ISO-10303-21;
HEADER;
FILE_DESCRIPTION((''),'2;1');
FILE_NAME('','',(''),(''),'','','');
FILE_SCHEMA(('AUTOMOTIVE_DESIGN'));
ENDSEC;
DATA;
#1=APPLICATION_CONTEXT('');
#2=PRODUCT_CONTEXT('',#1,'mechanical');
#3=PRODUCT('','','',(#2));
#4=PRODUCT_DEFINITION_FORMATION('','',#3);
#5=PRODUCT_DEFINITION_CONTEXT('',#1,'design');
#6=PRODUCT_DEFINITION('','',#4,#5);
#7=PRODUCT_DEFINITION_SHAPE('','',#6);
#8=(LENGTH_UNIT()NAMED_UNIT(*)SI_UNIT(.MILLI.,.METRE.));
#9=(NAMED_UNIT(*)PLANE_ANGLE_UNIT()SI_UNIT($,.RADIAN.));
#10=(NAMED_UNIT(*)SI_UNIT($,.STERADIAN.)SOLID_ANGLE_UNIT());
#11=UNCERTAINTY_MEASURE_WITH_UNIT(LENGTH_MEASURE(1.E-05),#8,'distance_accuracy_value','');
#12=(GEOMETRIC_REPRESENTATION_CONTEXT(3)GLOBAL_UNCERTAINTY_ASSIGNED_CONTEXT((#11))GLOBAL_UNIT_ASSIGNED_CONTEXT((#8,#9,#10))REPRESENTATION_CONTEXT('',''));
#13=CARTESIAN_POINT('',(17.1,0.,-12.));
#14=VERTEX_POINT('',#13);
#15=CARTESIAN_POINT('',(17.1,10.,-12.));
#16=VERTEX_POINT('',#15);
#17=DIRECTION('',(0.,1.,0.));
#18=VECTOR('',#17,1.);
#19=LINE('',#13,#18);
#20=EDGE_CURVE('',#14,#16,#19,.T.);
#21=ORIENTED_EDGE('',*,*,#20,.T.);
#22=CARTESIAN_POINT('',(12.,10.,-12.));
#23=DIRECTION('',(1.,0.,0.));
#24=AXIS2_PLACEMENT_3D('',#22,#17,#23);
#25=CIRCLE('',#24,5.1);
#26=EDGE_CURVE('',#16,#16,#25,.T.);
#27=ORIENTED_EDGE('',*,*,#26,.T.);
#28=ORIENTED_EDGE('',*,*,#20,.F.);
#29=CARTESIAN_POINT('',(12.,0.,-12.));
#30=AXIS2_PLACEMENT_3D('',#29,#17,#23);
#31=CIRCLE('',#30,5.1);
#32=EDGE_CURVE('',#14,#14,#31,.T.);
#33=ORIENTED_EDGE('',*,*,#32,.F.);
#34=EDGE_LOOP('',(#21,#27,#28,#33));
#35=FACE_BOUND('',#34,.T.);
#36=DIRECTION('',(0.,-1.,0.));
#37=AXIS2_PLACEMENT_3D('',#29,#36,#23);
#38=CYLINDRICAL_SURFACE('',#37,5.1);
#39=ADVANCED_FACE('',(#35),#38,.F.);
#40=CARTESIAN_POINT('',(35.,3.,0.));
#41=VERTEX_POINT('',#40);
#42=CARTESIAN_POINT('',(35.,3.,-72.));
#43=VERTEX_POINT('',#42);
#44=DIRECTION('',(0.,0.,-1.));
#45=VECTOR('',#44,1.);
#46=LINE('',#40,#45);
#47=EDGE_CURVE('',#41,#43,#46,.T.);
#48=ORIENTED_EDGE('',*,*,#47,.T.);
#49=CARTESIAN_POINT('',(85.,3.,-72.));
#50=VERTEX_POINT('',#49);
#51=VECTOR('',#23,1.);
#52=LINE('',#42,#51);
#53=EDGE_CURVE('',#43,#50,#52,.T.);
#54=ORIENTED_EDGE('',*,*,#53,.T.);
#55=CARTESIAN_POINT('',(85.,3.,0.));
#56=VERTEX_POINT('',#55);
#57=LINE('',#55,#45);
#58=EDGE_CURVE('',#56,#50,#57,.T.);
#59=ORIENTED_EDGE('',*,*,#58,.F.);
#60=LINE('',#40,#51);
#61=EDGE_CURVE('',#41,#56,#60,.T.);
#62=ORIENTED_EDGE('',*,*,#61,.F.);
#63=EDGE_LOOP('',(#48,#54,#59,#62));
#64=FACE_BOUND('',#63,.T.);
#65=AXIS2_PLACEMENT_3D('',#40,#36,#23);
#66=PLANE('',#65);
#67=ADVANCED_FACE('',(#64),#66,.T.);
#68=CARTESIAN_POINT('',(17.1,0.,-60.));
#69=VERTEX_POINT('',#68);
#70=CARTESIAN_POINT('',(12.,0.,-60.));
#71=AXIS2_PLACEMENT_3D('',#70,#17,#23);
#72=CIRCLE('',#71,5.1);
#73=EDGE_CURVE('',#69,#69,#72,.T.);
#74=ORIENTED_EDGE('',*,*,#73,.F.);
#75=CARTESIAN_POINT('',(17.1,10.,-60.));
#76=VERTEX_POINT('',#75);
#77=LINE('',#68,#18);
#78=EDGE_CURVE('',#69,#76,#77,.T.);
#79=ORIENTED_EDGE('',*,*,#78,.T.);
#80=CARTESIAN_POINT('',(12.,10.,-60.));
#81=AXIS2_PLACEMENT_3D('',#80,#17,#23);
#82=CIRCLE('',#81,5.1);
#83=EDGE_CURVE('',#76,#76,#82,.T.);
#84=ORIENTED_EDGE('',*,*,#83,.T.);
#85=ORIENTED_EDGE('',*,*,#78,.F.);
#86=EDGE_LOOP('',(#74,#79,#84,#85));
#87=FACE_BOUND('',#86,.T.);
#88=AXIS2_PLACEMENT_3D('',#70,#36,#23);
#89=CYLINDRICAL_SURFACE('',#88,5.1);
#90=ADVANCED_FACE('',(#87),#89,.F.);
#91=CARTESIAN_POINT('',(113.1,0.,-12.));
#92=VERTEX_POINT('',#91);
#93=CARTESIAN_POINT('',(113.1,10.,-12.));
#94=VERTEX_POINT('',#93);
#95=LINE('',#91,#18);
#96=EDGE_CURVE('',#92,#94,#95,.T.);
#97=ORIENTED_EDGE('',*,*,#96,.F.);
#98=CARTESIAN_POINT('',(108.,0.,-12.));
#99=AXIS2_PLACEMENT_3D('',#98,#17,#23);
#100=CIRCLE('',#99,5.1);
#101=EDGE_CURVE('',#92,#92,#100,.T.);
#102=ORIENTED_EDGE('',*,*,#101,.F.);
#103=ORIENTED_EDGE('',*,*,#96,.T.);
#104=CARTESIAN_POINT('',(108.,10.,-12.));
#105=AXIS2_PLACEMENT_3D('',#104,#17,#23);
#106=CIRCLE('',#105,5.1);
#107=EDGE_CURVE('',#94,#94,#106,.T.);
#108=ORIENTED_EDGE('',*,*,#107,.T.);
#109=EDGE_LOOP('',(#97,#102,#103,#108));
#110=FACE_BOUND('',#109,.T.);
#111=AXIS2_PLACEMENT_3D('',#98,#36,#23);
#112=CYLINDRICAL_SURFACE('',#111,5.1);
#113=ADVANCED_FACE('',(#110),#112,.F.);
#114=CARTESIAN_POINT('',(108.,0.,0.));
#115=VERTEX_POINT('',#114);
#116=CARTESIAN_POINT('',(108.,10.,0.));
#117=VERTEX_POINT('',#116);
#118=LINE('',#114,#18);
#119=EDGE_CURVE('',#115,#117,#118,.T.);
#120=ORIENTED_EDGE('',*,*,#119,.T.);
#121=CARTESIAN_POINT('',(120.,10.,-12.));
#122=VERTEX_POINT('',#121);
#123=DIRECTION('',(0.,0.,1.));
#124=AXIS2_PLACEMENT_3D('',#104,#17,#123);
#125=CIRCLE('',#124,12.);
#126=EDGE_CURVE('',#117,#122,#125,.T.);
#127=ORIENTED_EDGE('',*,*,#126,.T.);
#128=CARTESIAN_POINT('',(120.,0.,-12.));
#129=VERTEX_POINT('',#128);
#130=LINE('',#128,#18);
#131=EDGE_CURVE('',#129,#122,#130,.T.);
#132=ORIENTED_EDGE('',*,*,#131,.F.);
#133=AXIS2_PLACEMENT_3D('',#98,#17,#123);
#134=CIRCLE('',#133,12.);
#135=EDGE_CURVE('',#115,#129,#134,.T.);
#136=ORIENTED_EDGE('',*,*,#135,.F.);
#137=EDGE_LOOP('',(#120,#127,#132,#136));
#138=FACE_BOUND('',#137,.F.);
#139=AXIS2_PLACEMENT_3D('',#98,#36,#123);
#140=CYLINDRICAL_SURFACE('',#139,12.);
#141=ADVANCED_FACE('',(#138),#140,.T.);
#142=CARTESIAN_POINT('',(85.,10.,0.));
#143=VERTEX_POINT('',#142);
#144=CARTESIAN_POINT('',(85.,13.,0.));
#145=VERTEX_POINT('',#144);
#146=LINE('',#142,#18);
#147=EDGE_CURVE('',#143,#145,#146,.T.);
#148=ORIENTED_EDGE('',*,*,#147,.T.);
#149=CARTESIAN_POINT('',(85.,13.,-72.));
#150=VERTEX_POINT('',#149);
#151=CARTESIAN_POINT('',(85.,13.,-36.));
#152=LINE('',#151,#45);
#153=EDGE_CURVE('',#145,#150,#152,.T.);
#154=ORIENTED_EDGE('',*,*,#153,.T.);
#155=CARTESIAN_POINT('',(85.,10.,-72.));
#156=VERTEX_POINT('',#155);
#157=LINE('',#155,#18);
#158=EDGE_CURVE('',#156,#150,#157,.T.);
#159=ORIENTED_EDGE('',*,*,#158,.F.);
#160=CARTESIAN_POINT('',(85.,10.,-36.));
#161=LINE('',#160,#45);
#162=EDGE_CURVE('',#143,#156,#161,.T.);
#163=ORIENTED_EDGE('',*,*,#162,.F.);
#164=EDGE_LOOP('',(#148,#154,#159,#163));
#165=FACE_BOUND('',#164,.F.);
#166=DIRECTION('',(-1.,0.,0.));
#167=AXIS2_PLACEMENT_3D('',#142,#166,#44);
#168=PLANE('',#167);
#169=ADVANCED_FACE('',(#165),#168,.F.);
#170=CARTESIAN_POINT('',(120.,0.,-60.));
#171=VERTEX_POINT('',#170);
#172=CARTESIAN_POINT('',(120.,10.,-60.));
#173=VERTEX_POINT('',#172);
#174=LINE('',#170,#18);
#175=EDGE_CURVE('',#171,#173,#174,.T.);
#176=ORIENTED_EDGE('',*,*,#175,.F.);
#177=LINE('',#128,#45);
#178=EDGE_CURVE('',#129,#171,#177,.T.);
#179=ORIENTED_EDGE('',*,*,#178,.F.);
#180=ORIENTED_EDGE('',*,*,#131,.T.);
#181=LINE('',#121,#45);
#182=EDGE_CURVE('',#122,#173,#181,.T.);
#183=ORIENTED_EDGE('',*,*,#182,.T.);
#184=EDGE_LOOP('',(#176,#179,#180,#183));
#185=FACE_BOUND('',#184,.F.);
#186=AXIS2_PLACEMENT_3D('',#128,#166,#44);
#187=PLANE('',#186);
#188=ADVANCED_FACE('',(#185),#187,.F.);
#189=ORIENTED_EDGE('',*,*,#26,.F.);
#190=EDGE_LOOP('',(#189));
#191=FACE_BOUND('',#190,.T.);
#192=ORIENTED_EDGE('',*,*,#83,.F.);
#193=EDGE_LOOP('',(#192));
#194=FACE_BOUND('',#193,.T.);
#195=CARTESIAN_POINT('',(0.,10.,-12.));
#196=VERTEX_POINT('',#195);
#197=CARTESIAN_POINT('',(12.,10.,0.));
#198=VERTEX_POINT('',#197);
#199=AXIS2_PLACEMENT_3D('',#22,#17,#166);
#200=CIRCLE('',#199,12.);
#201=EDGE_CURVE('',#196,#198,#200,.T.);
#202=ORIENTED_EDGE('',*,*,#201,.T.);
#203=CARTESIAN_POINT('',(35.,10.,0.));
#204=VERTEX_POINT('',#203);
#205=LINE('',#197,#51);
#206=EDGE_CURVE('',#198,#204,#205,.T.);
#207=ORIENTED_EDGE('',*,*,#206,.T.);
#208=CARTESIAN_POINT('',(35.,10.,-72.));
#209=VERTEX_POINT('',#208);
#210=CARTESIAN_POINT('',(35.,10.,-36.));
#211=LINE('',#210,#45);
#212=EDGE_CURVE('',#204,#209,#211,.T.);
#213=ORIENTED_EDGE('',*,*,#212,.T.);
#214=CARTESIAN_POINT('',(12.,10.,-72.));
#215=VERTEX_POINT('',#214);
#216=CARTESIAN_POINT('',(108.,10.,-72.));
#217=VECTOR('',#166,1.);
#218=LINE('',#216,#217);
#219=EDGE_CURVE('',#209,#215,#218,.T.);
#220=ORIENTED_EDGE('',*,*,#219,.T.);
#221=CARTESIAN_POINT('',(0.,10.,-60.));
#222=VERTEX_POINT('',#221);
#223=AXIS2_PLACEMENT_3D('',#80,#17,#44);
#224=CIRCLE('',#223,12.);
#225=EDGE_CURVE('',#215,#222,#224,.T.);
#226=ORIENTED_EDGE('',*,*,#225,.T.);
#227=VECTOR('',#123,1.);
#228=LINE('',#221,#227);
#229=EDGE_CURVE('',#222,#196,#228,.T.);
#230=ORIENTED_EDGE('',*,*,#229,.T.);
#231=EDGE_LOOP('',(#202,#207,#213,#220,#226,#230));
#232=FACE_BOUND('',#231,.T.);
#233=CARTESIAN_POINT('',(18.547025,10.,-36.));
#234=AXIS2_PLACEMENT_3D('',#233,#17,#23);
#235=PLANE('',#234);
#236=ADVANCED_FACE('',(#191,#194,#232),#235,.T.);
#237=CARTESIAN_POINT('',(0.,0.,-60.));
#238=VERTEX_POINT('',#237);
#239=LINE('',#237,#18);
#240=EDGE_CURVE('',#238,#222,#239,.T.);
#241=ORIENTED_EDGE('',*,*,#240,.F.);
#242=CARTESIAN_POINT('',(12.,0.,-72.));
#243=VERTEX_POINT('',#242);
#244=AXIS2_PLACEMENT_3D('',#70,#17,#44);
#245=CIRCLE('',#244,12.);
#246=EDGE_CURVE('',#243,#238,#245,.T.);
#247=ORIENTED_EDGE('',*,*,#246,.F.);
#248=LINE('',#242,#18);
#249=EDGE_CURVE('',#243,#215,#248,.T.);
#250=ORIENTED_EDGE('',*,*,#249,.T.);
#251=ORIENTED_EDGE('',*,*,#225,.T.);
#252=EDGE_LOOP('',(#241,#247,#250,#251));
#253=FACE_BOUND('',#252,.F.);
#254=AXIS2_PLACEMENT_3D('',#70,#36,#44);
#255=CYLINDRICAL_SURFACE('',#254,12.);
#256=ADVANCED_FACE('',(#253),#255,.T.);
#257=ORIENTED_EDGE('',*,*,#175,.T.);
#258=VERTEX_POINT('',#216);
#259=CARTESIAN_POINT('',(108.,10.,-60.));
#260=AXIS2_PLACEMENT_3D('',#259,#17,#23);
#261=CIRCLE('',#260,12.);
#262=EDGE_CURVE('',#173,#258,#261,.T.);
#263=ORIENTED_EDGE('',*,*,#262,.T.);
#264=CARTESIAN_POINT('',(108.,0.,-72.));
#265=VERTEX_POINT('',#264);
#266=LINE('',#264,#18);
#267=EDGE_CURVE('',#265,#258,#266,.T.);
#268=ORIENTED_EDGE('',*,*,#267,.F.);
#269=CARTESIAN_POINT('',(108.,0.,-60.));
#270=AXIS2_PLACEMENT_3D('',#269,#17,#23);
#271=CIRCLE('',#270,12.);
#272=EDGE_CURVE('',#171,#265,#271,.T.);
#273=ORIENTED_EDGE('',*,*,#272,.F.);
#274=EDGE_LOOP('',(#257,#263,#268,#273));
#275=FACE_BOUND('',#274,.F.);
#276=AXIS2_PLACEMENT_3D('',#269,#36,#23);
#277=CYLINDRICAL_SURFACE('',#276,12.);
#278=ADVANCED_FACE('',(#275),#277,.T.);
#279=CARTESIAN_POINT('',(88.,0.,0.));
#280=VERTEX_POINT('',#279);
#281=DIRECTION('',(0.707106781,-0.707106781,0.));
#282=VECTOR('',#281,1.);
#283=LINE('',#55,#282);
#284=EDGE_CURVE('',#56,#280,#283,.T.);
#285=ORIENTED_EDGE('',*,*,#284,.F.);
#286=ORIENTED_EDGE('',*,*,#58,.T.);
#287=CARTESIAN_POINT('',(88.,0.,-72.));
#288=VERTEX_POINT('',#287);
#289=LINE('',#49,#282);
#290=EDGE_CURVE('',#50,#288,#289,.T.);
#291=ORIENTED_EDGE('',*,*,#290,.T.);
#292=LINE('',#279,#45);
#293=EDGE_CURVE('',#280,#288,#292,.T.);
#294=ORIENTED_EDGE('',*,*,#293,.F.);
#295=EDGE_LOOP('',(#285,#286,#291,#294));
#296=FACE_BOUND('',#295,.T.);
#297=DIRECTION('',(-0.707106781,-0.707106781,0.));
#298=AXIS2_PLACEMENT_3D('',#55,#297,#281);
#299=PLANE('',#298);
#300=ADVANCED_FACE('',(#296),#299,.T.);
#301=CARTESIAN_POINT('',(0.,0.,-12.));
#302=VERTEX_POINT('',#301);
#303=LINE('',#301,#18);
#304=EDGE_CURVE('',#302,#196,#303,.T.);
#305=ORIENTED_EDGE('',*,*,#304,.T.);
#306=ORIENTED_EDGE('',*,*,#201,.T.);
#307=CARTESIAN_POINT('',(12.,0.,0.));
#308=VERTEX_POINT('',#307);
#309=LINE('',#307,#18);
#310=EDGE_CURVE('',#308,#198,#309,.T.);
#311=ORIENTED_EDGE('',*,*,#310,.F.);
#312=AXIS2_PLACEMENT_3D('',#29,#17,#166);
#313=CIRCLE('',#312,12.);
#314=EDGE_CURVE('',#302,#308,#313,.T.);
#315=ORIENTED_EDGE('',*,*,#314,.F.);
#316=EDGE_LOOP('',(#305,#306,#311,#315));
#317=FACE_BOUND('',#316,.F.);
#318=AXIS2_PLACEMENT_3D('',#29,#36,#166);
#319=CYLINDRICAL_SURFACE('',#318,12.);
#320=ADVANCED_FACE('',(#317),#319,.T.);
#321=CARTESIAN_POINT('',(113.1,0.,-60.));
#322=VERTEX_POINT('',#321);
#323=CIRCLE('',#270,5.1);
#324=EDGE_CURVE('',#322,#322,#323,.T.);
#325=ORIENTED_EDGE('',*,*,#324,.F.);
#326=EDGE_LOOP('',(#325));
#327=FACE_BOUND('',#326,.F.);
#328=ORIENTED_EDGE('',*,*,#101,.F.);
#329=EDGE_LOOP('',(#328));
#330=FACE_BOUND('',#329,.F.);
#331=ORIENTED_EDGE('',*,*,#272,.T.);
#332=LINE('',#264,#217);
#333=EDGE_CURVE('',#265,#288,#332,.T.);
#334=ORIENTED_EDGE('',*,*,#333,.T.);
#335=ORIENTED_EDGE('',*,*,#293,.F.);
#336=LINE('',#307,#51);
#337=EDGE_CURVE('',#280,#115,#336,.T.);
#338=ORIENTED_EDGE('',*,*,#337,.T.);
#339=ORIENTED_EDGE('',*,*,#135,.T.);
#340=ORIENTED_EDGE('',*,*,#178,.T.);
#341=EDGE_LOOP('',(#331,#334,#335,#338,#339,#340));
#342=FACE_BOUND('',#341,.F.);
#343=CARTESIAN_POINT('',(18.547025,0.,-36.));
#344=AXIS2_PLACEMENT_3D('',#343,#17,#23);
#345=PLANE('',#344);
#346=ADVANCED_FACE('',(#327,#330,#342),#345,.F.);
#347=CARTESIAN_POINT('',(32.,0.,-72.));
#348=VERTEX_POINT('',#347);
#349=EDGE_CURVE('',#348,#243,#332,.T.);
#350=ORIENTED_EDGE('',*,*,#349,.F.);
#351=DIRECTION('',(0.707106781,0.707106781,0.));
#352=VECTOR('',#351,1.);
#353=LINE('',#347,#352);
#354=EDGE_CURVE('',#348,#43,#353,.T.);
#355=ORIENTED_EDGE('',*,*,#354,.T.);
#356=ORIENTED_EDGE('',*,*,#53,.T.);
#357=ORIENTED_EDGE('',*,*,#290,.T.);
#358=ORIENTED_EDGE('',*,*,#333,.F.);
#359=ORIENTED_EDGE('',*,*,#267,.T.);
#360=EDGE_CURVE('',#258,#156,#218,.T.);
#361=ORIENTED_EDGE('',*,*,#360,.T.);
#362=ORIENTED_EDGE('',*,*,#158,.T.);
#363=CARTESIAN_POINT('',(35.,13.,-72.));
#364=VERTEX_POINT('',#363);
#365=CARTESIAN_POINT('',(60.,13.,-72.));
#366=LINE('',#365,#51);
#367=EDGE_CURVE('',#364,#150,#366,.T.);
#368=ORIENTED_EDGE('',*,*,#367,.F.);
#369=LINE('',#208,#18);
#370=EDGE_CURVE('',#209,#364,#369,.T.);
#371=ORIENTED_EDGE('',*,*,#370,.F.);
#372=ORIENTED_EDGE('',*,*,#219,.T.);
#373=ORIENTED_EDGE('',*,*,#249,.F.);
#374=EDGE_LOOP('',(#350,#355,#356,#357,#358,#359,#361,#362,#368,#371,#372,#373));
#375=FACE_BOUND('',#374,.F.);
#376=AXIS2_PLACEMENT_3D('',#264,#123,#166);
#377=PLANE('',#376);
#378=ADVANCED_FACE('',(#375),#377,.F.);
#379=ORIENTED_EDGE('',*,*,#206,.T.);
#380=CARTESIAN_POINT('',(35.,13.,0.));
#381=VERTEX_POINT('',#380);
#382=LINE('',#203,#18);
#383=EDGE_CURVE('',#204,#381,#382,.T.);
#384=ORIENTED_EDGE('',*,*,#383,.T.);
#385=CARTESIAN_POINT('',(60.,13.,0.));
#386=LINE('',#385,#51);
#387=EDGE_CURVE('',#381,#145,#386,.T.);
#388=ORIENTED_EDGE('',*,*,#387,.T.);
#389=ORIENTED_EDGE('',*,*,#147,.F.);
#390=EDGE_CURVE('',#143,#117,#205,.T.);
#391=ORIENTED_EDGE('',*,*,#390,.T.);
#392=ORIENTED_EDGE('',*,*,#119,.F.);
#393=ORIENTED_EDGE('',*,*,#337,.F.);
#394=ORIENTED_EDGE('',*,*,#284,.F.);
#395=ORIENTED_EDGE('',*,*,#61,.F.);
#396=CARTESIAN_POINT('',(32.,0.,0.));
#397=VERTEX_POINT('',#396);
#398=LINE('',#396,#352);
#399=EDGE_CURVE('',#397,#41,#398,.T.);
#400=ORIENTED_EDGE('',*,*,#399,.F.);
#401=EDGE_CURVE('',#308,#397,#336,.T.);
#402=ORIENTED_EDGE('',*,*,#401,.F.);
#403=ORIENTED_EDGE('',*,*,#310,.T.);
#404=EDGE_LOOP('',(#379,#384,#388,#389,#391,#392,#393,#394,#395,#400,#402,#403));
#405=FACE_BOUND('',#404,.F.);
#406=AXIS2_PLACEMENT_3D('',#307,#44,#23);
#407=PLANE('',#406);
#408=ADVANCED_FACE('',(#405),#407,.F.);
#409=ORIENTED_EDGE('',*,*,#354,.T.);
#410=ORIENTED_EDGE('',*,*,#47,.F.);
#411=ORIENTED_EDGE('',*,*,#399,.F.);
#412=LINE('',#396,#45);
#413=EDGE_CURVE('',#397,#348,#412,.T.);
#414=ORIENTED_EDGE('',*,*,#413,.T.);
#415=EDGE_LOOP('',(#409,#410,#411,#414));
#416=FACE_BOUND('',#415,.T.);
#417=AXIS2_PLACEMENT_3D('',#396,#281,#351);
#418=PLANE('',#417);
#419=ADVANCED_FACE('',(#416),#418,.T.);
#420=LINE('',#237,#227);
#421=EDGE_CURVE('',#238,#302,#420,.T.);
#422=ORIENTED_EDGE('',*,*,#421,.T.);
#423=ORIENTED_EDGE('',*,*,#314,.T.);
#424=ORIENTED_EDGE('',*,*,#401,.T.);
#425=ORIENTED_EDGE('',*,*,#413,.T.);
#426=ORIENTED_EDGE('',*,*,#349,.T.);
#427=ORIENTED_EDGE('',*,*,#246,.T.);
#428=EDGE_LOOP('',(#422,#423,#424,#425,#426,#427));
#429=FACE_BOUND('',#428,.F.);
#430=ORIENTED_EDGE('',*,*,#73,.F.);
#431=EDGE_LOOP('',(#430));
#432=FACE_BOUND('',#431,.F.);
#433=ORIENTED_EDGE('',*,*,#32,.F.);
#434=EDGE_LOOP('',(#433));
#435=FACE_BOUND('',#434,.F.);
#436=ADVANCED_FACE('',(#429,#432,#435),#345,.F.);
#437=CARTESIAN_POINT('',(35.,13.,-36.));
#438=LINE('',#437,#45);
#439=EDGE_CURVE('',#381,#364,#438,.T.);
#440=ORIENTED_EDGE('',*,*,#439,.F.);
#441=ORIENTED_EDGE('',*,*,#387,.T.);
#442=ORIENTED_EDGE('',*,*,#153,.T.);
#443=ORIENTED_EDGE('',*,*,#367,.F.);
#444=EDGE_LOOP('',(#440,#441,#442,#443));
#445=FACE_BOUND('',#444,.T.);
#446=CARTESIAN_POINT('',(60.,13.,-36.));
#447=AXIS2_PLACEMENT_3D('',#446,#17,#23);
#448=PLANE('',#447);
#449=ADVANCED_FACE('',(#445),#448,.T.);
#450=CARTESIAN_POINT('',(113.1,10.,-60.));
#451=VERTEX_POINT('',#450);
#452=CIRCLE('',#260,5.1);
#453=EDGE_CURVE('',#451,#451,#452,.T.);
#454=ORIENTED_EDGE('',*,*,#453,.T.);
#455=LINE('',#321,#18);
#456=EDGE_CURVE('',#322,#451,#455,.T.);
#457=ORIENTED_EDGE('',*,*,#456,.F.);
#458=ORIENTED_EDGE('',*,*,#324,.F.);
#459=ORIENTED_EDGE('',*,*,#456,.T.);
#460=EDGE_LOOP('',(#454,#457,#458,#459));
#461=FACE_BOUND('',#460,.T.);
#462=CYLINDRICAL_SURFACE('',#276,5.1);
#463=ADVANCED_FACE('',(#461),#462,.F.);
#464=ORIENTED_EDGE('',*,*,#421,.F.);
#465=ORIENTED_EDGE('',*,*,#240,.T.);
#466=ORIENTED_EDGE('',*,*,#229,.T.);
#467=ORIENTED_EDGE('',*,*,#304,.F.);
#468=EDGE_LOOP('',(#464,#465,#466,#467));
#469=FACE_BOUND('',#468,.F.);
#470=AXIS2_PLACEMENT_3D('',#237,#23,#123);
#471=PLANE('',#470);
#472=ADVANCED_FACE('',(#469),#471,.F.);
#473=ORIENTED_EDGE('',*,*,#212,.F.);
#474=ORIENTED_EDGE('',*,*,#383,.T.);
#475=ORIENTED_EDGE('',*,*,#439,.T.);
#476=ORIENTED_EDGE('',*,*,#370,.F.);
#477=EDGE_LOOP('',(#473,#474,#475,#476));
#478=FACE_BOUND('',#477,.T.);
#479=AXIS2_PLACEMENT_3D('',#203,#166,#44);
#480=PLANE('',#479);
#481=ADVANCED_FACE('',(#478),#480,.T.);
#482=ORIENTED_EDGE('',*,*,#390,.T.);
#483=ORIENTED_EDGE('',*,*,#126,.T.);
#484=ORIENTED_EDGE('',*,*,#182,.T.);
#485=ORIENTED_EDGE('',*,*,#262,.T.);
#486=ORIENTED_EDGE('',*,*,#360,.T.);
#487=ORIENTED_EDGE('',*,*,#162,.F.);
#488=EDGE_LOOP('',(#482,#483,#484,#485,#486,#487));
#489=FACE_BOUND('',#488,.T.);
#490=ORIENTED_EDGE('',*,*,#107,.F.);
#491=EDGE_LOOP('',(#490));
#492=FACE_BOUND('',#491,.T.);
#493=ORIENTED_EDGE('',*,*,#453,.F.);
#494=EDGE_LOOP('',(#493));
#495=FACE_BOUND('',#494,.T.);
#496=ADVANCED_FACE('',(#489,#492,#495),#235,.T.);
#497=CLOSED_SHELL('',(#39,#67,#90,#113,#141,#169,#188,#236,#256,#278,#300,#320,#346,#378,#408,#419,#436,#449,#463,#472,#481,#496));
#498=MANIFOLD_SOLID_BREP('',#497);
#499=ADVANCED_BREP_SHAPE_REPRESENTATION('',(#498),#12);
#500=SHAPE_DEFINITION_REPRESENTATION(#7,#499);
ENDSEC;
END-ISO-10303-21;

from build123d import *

# Parameters (mm, degrees)
SKETCH1_R           = 5.1
SKETCH1_W           = 50
SKETCH1_H           = 72
BOSS_EXTRUDE7_DEPTH = 10
CUT_EXTRUDE2_DEPTH  = 72
SKETCH7_W           = 50
SKETCH7_H           = 72
BOSS_EXTRUDE8_DEPTH = 3


with BuildPart() as part:
    # Sketch1 → Boss-Extrude7 (new body)
    with BuildSketch(Plane(origin=(0, 0, 0), x_dir=(1, 0, 0), z_dir=(0, 1, 0))):
        with BuildLine():
            ThreePointArc((0, 12), (3.514718626, 3.514718626), (12, 0))
            Line((12, 0), (35, 0))
            Line((35, 0), (35, 72))
            Line((35, 72), (12, 72))
            ThreePointArc((12, 72), (3.514718626, 68.485281374), (0, 60))
            Line((0, 60), (0, 12))
        make_face()
        with Locations((12, 12)):
            Circle(SKETCH1_R, mode=Mode.SUBTRACT)
        with Locations((12, 60)):
            Circle(SKETCH1_R, mode=Mode.SUBTRACT)
        with Locations((60, 36)):
            Rectangle(SKETCH1_W, SKETCH1_H)
        with BuildLine():
            Line((85, 72), (85, 0))
            Line((85, 0), (108, 0))
            ThreePointArc((108, 0), (116.485281374, 3.514718626), (120, 12))
            Line((120, 12), (120, 60))
            ThreePointArc((120, 60), (116.485281374, 68.485281374), (108, 72))
            Line((108, 72), (85, 72))
        make_face()
        with Locations((108, 12)):
            Circle(SKETCH1_R, mode=Mode.SUBTRACT)
        with Locations((108, 60)):
            Circle(SKETCH1_R, mode=Mode.SUBTRACT)
    extrude(amount=BOSS_EXTRUDE7_DEPTH)

    # Sketch5 → Cut-Extrude2 (cut)
    with BuildSketch(Plane.XY):
        Polygon((32, 0), (35, 3), (85, 3), (88, 0), align=None)
    extrude(amount=-CUT_EXTRUDE2_DEPTH, mode=Mode.SUBTRACT)

    # Sketch7 → Boss-Extrude8 (add)
    with BuildSketch(Plane(origin=(0, 10, 0), x_dir=(1, 0, 0), z_dir=(0, 1, 0))):
        with Locations((60, 36)):
            Rectangle(SKETCH7_W, SKETCH7_H)
    extrude(amount=BOSS_EXTRUDE8_DEPTH)


solid = part.part
